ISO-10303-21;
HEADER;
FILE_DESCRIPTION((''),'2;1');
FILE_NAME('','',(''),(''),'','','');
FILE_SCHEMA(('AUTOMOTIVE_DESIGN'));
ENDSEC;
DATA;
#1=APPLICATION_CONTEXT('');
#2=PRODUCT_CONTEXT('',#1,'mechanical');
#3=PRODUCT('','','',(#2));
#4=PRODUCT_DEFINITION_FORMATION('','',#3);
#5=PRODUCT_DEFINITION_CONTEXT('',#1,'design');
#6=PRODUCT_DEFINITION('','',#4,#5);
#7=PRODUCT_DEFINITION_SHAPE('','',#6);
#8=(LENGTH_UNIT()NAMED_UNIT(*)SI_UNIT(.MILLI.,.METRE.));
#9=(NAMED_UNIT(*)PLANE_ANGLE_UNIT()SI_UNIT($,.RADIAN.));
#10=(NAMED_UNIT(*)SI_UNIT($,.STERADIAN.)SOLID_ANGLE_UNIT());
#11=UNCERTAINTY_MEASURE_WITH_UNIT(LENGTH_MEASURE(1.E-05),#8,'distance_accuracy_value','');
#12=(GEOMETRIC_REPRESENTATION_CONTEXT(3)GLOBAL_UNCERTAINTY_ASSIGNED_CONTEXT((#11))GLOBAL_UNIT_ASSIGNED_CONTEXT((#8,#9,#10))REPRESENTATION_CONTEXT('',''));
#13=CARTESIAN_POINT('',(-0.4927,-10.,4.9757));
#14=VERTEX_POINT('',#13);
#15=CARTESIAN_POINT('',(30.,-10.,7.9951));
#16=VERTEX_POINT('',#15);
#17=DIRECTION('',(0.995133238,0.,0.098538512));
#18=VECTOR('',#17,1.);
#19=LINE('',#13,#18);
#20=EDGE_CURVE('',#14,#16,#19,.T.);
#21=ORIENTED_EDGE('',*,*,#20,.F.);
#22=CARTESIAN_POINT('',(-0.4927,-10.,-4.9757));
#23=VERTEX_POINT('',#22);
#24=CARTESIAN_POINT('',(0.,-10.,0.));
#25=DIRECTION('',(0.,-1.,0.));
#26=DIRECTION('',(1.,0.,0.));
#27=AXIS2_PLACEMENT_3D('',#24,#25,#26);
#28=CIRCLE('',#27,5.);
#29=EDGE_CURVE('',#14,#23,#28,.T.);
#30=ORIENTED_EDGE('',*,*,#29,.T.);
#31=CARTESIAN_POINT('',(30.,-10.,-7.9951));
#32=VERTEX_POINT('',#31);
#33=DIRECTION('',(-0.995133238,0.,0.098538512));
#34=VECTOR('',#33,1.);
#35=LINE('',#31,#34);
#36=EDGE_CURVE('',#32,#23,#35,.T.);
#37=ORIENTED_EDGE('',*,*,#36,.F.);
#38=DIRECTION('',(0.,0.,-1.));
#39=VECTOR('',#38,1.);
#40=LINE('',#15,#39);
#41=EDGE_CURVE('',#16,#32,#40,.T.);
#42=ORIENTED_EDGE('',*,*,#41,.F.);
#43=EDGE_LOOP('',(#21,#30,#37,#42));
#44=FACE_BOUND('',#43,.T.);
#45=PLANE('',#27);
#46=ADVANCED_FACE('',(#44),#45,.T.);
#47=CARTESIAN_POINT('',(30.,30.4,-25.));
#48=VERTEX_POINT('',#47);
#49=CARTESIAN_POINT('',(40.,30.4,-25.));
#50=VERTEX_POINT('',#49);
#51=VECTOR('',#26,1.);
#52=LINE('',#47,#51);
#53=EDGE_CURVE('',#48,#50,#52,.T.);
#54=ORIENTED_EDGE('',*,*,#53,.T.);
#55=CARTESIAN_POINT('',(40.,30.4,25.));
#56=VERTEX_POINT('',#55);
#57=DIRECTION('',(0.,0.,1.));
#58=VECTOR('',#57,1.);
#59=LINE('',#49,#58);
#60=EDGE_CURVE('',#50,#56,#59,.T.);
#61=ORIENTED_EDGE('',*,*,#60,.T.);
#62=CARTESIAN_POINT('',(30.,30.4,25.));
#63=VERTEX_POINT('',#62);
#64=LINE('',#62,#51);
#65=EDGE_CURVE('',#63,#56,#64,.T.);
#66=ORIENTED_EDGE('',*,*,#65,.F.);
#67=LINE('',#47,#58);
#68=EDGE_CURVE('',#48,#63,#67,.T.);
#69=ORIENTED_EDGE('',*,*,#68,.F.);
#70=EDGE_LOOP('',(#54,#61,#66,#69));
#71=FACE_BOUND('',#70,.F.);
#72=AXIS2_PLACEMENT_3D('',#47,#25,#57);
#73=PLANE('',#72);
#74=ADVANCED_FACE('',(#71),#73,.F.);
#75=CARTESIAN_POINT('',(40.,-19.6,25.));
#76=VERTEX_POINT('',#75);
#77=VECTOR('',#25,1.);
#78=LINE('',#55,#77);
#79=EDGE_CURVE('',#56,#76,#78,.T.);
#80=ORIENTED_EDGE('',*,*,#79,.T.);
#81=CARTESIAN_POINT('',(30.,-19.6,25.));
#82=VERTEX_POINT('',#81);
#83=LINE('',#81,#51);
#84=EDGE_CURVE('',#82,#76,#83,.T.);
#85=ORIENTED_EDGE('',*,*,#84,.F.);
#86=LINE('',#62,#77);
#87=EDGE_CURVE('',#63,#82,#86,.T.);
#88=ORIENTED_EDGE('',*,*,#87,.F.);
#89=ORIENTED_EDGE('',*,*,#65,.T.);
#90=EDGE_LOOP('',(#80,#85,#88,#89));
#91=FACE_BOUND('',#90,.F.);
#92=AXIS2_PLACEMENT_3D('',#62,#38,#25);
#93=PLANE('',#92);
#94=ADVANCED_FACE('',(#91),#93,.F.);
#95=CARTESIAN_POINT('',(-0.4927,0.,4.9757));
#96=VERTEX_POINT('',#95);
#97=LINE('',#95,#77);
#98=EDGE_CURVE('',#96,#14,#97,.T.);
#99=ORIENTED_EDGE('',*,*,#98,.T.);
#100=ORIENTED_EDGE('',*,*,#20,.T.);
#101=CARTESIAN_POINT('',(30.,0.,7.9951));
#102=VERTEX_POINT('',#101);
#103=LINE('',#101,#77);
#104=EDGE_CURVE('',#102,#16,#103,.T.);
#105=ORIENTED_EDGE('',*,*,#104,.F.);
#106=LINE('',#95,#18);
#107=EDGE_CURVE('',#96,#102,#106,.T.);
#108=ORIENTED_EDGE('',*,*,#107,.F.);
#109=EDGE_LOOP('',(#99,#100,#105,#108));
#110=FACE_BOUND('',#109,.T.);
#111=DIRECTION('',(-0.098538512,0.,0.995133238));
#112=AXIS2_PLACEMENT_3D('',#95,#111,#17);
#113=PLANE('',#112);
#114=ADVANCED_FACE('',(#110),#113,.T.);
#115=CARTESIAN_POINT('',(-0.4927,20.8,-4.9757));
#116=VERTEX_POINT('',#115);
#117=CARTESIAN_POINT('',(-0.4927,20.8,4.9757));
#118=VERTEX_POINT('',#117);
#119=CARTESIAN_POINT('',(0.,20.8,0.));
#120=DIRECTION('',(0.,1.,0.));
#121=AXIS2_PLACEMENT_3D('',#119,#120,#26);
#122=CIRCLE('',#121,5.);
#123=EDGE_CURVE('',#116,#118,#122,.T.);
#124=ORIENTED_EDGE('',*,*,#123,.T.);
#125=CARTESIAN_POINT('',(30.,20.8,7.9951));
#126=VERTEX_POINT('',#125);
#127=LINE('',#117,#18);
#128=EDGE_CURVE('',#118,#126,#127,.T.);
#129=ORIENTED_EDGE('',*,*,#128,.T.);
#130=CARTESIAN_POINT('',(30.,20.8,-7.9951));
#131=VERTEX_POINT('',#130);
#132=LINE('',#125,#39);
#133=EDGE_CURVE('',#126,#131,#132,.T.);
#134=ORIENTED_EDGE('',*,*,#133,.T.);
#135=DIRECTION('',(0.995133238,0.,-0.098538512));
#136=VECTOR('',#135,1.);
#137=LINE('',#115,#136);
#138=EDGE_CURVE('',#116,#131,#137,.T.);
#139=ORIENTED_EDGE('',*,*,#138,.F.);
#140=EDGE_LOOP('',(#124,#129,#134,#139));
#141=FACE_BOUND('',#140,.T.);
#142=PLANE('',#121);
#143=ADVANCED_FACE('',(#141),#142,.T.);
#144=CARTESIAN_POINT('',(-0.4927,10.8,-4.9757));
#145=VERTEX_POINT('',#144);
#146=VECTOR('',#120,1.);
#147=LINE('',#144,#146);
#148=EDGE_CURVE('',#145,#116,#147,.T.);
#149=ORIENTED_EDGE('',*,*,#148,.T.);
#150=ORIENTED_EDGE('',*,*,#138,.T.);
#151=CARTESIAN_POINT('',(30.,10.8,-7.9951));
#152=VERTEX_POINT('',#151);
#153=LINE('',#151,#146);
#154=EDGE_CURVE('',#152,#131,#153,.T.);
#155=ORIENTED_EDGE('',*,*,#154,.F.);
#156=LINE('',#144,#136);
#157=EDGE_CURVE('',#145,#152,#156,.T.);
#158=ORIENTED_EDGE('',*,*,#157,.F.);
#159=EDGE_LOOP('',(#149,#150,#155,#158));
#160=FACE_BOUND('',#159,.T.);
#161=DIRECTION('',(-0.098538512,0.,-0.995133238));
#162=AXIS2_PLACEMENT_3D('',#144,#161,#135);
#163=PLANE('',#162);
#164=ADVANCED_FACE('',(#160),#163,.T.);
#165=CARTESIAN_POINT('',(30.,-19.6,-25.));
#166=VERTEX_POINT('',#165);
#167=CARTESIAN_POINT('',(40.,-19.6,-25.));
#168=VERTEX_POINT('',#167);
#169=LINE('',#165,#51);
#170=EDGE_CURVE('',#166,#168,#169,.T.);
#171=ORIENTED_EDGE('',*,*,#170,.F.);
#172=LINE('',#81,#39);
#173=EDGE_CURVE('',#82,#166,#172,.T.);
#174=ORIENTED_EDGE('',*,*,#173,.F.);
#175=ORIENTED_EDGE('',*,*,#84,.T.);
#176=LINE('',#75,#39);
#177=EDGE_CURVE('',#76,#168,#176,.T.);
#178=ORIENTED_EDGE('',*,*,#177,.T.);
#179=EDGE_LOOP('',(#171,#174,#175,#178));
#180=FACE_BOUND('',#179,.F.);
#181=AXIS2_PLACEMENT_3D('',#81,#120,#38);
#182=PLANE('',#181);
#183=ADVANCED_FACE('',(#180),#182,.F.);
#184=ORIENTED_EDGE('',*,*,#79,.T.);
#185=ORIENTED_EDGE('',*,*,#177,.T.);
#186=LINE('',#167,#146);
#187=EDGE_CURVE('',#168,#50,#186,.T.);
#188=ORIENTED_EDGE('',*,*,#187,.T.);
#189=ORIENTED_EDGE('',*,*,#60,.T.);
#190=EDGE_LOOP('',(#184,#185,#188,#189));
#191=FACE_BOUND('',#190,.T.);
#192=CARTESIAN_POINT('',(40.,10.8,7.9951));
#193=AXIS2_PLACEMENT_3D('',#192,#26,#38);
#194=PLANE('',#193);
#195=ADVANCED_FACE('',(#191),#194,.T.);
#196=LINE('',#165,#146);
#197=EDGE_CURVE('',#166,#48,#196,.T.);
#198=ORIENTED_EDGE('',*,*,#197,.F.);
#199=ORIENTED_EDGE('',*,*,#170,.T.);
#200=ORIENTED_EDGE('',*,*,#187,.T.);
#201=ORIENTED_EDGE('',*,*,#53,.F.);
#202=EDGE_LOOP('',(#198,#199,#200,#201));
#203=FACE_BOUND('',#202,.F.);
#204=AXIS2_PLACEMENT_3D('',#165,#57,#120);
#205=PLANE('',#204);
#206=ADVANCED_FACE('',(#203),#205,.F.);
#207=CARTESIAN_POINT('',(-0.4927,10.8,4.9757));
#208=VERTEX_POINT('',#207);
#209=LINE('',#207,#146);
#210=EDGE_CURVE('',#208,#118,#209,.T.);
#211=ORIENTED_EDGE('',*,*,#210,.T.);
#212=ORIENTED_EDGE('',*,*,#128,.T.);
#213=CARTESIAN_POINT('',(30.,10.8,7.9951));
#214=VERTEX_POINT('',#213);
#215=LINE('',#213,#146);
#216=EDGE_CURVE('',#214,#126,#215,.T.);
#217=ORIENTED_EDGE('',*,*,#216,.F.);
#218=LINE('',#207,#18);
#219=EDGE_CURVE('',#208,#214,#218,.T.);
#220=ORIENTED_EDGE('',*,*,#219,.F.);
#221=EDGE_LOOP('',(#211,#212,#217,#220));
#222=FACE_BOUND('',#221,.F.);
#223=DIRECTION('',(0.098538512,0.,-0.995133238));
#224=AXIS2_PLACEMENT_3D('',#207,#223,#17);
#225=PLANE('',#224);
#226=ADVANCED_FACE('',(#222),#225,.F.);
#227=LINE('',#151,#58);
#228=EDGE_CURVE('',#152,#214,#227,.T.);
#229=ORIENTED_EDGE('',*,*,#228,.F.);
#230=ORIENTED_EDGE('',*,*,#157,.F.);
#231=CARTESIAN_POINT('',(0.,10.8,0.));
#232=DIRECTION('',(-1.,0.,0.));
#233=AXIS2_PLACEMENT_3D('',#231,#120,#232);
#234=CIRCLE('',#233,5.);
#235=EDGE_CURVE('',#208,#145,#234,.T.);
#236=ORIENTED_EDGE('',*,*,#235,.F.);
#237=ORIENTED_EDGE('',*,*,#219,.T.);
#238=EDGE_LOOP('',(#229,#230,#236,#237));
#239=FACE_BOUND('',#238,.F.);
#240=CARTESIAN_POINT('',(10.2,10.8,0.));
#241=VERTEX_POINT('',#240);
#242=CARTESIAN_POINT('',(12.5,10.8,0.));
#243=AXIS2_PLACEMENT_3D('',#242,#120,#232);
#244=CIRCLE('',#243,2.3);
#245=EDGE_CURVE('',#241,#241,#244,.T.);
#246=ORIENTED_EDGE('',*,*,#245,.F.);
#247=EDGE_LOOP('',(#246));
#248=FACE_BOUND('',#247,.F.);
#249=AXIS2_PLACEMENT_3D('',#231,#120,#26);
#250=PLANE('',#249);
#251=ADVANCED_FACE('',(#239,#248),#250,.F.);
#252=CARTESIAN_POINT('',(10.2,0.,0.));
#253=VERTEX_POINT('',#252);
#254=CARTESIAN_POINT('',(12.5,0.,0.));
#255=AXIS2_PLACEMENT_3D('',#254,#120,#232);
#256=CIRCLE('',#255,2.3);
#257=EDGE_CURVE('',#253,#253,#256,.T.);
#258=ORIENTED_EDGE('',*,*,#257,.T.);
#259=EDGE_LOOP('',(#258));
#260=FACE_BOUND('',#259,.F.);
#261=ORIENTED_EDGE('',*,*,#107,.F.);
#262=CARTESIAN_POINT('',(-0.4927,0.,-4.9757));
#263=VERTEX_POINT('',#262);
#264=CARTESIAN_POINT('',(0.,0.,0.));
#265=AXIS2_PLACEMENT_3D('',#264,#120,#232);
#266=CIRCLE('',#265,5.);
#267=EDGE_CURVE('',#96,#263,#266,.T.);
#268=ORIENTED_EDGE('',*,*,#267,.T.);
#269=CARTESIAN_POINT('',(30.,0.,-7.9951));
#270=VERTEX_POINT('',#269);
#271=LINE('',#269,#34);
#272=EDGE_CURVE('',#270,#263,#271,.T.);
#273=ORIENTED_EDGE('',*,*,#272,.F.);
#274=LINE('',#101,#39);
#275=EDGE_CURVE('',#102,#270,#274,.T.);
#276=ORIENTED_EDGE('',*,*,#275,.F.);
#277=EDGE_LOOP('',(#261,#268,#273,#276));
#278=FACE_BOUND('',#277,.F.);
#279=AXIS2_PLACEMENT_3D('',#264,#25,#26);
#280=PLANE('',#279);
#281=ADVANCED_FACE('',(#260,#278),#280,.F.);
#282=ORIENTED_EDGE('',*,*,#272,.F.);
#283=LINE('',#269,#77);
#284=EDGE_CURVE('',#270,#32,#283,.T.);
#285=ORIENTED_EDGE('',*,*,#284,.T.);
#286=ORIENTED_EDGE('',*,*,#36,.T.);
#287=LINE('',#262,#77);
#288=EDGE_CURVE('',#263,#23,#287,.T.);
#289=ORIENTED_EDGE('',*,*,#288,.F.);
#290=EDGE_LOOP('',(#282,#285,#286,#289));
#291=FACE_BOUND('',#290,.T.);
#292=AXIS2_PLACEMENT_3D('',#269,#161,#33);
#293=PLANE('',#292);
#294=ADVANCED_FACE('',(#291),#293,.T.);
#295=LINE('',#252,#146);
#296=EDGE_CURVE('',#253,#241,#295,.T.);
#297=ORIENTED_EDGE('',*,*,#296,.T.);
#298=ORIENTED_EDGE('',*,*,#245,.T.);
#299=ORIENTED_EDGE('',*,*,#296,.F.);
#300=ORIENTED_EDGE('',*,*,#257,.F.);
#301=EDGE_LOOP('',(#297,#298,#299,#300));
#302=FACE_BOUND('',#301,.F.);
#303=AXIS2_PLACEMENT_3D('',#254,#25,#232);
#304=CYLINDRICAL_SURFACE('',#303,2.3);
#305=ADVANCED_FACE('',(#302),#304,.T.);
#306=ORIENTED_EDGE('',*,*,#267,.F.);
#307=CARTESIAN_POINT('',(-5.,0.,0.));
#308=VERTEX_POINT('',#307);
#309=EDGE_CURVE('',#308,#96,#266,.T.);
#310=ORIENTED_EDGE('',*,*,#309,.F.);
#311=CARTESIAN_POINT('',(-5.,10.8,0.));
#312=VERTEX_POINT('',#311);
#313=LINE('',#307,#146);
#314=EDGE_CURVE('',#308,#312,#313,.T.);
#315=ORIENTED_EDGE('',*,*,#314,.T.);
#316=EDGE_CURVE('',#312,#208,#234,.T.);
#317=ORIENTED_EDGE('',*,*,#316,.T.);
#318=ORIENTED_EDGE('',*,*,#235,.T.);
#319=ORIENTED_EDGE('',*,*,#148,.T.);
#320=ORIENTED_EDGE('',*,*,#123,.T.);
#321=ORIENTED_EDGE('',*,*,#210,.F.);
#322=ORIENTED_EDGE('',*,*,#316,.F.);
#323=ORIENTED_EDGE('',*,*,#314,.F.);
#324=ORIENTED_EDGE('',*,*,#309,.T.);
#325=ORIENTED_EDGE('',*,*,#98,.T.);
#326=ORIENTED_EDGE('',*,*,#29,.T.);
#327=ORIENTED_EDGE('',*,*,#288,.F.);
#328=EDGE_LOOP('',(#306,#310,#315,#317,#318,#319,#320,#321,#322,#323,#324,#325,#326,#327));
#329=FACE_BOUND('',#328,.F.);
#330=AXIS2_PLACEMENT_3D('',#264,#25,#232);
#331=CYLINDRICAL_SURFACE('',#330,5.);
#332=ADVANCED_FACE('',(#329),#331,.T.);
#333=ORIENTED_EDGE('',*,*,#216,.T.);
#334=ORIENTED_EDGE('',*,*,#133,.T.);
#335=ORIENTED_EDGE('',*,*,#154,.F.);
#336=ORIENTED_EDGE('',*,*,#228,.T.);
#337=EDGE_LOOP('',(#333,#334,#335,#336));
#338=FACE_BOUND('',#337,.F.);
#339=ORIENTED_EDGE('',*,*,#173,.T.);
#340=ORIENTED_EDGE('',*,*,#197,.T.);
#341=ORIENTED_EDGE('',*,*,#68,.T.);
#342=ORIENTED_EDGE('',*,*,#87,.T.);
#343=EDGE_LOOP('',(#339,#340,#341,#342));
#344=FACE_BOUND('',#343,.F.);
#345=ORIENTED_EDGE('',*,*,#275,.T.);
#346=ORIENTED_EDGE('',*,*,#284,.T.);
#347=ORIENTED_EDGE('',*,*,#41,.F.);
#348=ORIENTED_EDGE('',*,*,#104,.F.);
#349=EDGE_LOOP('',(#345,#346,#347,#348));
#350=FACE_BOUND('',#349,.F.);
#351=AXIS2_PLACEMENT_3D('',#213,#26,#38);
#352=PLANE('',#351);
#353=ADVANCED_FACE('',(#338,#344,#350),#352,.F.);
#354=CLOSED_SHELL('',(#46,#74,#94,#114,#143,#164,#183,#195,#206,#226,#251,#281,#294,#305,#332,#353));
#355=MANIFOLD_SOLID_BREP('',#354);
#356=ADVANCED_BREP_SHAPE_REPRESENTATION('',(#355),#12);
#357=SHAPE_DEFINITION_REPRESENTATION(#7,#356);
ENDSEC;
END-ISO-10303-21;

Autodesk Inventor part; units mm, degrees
ref_plane "YZ Plane" through (0, 0, 0) normal (1, 0, 0) x (0, 1, 0)
ref_plane "XZ Plane" through (0, 0, 0) normal (0, 1, 0) x (-1, 0, 0)
ref_plane "XY Plane" through (0, 0, 0) normal (0, 0, 1) x (1, 0, 0)
sketch "Boceto1" plane through (0, 0, 0) normal (0, 1, 0) x (-1, 0, 0)
  circle A0 centre (0, 0) radius 5
  circle A1 centre (-12.5, 0) radius 2.3
  dimension "d0" = 10
  dimension "d1" = 4.6
extrude "Extrusión1" add sketch "Boceto1" along normal blind 10.8
sketch "Boceto2" plane through (0, 10.8, 0) normal (0, 1, 0) x (1, 0, 0)
  circle A0 centre (0, 0) radius 5
  line L0 (30, 0) -> (30, -10)
  line L1 (-0.4927, -4.9757) -> (30, -7.9951)
  line L2 (30, 0) -> (30, 10)
  line L3 (-0.4927, 4.9757) -> (30, 7.9951)
extrude "Extrusión2" add sketch "Boceto2" along normal blind 10
sketch "Boceto3" plane through (0, 0, 0) normal (0, -1, 0) x (1, 0, 0)
  line L0 (30, -7.9951) -> (-0.4927, -4.9757) projected
  line L1 (30, 7.9951) -> (30, -7.9951) projected
  line L2 (-0.4927, 4.9757) -> (30, 7.9951) projected
  circle A0 centre (0, 0) radius 5 projected
extrude "Extrusión3" add sketch "Boceto3" along normal blind 10
sketch "Boceto4" plane through (30, 10.8, 7.9951) normal (1, 0, 0) x (0, 0, -1)
  line L0 (0, 0) -> (15.9902, 0) projected
  line L1 (7.9951, 0) -> (7.9951, -10.8) construction
  line L2 (32.9951, 19.6) -> (-17.0049, 19.6)
  line L3 (-17.0049, 19.6) -> (-17.0049, -30.4)
  line L4 (-17.0049, -30.4) -> (32.9951, -30.4)
  line L5 (32.9951, -30.4) -> (32.9951, 19.6)
  line L6 (32.9951, 19.6) -> (-17.0049, -30.4) construction
  line L7 (-17.0049, 19.6) -> (32.9951, -30.4) construction
  point P0 (7.9951, -5.4)
  dimension "d10" = 50
  dimension "d11" = 50
extrude "Extrusión4" add sketch "Boceto4" along normal blind 10
properties part number "Pieza2PrimerEslabon" material "Cristal"
